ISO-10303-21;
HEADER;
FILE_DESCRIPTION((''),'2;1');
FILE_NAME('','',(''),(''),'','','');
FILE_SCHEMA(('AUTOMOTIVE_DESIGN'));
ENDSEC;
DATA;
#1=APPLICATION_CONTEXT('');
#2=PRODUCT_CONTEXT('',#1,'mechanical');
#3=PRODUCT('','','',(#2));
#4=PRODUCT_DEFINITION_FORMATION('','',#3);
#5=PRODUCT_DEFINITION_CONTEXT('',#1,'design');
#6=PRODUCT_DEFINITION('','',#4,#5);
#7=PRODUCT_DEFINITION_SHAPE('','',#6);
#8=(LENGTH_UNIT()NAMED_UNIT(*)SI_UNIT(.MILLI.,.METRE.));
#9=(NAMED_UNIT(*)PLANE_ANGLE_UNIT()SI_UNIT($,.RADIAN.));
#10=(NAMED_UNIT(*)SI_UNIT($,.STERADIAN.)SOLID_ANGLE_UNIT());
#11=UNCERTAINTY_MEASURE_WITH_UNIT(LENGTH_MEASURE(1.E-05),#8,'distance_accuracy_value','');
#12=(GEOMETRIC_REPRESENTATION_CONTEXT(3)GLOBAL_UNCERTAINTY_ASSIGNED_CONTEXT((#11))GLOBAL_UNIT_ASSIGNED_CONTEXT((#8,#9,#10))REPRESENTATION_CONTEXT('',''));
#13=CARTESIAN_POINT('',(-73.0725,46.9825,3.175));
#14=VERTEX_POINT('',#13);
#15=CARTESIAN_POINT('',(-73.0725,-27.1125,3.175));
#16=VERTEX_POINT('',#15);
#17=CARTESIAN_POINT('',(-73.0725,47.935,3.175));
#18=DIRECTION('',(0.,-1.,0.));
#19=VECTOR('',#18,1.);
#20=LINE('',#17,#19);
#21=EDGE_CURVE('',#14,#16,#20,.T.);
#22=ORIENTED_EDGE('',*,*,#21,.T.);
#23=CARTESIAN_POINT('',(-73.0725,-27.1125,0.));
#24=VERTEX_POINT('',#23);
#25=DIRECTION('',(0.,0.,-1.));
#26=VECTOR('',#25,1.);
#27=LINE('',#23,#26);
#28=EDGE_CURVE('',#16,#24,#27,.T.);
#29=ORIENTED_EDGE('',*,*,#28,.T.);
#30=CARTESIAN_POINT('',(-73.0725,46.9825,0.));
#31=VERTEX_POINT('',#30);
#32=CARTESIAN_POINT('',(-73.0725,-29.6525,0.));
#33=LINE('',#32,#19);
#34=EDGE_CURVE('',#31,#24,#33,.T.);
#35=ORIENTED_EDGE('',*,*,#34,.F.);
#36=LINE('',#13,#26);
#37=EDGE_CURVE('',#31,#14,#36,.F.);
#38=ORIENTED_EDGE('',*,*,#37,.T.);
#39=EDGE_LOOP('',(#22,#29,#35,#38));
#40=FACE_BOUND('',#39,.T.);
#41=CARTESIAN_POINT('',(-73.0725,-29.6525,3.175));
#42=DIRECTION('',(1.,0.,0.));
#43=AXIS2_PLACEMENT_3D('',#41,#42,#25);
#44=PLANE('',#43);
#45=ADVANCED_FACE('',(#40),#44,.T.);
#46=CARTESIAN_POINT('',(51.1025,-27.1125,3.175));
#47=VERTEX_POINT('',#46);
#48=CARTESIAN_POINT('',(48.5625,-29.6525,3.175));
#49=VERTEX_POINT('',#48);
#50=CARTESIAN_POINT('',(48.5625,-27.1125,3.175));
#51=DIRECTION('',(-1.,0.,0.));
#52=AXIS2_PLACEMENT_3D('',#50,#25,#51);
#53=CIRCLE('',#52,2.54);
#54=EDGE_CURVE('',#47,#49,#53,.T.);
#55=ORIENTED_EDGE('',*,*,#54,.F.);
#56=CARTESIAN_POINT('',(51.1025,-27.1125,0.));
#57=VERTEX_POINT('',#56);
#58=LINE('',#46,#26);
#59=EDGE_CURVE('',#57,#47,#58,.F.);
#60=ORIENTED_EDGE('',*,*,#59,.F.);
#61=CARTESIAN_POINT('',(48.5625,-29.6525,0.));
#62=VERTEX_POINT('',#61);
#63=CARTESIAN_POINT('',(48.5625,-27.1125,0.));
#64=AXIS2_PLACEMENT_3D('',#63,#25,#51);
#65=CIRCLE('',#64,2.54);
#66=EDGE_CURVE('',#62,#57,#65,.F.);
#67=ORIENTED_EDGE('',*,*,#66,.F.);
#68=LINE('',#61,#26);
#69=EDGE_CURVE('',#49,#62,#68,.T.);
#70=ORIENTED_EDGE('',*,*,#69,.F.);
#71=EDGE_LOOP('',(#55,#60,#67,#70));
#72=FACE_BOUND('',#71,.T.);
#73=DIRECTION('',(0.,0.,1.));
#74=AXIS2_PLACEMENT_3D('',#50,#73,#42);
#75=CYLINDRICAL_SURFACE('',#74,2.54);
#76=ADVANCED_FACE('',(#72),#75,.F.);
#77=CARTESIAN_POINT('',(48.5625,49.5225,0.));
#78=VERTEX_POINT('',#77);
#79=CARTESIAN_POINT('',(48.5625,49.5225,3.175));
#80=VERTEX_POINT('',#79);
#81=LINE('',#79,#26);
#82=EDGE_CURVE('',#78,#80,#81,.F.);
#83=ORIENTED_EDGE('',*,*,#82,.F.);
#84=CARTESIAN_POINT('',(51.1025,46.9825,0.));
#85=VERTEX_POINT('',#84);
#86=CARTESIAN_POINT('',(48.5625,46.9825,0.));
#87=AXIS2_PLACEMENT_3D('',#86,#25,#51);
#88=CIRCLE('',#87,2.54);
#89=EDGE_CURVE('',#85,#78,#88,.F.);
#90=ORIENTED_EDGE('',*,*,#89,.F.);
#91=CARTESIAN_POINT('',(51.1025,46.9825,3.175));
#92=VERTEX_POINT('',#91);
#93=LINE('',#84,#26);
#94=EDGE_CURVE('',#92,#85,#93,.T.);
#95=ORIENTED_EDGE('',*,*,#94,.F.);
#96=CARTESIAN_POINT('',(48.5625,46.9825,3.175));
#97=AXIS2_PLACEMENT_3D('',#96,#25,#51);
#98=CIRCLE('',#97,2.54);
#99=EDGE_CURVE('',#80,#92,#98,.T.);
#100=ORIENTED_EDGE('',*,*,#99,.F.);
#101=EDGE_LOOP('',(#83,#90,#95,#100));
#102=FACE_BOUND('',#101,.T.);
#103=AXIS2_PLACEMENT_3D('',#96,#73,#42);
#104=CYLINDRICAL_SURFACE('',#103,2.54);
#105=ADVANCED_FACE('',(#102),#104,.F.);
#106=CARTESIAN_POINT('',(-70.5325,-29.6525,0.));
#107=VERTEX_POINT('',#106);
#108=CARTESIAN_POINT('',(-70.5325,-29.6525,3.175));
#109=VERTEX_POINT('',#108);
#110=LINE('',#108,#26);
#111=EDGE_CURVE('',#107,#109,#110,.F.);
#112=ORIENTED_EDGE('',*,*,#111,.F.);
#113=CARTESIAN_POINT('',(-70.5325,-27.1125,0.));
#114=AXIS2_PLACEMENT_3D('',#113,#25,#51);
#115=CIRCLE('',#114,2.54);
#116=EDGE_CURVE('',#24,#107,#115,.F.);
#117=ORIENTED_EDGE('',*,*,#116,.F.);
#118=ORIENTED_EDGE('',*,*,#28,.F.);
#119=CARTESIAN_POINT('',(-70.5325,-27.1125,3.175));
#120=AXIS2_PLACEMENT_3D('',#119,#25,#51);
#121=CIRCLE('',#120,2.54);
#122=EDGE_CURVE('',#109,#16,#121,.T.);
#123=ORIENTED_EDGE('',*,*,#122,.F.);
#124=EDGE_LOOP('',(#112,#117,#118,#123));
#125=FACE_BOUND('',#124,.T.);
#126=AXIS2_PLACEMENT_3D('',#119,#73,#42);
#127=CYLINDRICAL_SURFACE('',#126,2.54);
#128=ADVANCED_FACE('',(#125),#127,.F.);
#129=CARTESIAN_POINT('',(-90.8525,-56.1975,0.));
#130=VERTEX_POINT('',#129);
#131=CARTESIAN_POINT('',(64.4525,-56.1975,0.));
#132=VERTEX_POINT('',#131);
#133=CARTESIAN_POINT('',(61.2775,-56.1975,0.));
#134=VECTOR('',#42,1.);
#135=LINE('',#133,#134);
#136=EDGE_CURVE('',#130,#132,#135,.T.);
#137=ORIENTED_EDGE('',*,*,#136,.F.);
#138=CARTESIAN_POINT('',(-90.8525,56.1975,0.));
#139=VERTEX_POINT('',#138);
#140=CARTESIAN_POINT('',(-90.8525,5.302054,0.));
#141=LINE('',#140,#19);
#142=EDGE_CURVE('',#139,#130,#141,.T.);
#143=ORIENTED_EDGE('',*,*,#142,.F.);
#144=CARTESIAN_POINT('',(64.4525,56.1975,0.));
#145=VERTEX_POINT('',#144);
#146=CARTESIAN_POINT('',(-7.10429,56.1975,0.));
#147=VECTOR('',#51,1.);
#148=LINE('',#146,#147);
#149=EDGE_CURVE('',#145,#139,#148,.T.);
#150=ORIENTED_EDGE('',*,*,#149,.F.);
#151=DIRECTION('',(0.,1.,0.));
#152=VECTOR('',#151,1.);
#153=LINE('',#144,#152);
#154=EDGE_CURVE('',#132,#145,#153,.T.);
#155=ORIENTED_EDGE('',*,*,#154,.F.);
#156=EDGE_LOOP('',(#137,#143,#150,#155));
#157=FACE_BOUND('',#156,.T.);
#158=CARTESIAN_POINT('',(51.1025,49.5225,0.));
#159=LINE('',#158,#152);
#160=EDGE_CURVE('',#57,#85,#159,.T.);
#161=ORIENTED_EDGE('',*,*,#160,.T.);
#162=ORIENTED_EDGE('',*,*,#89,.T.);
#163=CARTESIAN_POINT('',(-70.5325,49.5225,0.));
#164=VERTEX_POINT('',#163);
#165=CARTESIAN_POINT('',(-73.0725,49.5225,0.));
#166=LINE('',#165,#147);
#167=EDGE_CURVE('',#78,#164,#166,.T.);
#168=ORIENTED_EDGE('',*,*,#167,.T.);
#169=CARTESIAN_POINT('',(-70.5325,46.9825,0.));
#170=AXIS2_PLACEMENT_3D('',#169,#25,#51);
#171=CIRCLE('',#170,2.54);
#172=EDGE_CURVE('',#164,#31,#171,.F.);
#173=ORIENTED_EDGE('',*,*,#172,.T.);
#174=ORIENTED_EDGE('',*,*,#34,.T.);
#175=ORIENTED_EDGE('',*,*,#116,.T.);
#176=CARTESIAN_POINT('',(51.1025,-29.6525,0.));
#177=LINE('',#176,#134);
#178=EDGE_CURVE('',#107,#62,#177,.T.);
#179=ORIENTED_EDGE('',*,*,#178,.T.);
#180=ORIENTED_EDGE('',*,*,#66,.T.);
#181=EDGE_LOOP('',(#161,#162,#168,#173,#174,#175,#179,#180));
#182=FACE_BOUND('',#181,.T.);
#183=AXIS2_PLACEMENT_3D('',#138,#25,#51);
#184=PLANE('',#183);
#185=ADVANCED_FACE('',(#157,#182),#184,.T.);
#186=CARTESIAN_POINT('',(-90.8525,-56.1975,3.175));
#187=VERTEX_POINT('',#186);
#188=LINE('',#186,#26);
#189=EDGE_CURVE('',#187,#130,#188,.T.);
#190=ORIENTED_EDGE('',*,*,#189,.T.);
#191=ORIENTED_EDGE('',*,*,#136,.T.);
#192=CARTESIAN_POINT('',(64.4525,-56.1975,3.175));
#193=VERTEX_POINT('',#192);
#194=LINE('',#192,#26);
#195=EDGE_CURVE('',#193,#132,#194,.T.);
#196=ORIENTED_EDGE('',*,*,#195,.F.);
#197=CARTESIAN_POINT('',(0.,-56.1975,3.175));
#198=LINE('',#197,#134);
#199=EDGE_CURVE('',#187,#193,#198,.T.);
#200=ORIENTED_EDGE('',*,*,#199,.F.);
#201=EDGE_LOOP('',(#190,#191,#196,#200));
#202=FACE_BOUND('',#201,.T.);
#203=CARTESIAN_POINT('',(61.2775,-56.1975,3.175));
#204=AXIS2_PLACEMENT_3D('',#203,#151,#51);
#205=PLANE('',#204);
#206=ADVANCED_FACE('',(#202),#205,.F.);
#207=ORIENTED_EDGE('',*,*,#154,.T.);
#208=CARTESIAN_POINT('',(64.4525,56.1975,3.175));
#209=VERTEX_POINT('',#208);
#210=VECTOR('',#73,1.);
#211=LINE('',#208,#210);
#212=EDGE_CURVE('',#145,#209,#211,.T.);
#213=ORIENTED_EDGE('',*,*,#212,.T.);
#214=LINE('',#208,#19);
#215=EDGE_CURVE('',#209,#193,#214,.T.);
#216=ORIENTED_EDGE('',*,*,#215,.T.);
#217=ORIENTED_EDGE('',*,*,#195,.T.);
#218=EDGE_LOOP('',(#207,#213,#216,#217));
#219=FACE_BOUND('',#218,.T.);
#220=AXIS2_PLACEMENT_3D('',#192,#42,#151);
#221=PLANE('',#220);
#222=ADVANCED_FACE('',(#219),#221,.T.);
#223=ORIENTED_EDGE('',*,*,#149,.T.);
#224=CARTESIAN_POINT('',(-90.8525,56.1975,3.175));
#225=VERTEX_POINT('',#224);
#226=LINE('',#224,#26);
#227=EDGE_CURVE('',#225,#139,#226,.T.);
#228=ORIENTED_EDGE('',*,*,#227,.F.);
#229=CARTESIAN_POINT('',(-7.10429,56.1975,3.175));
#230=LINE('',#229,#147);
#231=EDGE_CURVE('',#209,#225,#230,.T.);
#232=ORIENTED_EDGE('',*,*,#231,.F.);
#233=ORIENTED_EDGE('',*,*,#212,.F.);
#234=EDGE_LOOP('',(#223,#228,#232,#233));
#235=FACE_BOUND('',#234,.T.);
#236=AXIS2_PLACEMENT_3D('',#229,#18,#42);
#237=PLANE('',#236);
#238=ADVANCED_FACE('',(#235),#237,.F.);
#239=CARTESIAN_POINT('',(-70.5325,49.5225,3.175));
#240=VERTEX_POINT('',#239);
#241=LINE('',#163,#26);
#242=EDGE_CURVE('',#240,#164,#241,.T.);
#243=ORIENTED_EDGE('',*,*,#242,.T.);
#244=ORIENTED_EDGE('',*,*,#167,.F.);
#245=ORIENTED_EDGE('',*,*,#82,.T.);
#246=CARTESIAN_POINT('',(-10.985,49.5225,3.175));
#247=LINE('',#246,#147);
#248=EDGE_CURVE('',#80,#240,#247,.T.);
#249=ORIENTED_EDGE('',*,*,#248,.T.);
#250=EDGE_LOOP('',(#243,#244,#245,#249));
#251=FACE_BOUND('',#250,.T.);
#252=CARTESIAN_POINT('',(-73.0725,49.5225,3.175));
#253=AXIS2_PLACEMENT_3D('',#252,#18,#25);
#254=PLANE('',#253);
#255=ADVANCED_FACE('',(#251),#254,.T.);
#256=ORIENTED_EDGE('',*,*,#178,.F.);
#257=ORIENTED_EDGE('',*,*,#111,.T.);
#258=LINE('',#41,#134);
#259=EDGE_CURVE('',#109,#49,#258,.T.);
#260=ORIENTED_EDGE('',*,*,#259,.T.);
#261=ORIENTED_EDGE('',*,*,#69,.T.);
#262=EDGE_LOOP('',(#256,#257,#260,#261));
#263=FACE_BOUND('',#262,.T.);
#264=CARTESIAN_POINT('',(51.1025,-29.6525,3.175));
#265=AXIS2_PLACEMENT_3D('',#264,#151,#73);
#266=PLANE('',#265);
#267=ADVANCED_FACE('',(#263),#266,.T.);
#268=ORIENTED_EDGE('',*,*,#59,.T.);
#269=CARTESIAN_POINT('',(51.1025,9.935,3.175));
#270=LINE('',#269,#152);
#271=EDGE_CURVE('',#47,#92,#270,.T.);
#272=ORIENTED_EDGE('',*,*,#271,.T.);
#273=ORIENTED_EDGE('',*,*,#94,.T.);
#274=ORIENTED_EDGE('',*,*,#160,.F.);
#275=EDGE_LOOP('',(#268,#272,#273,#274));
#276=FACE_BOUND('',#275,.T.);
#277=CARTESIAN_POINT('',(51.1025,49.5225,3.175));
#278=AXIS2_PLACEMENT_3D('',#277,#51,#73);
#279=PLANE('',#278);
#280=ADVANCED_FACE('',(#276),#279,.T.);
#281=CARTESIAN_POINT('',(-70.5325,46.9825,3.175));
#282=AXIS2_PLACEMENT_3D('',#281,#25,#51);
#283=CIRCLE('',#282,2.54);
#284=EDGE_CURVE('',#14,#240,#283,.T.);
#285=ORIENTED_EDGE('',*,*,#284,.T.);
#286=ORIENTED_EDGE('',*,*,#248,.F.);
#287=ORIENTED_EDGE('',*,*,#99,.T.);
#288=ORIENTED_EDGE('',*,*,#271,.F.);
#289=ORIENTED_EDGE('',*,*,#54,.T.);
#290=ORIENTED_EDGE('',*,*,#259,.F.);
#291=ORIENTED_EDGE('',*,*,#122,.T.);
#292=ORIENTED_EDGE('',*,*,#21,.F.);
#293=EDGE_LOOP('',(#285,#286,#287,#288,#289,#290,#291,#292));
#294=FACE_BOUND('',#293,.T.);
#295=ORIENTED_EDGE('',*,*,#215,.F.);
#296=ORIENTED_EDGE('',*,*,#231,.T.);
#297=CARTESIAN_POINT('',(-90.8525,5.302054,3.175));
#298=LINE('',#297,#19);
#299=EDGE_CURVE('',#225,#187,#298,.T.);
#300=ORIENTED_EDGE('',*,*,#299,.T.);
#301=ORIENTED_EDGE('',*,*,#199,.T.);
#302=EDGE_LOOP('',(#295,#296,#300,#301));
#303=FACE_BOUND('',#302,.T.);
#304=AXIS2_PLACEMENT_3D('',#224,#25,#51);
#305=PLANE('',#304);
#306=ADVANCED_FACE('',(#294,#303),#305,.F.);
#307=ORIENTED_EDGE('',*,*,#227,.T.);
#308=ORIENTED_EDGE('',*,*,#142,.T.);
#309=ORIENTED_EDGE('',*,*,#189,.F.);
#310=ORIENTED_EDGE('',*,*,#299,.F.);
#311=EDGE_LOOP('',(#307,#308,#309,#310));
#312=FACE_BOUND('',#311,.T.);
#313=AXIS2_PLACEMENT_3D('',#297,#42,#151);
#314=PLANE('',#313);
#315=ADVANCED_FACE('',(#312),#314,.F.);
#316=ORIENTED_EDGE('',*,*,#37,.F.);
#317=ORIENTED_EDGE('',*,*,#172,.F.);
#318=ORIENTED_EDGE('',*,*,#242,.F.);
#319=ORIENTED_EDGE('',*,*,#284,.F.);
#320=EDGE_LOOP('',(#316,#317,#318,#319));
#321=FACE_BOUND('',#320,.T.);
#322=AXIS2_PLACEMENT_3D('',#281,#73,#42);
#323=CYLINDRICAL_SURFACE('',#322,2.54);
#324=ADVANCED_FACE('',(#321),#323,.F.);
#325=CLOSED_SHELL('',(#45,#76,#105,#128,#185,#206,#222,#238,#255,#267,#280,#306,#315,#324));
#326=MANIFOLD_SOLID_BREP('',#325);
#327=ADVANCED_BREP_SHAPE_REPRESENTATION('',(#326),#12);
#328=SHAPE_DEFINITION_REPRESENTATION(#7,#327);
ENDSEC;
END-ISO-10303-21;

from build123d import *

# Parameters (mm, degrees)
BOSS_EXTRUDE1_DEPTH = 3.175
SKETCH2_W           = 3.175
SKETCH2_H           = 112.395
BOSS_EXTRUDE2_DEPTH = 3.175
FILLET1_R           = 2.54


with BuildPart() as part:
    # Sketch1 → Boss-Extrude1 (new body)
    with BuildSketch(Plane.XY):
        Polygon((61.2775, 1.5875), (61.2775, -56.1975), (0, -56.1975), (-90.8525, -56.1975), (-90.8525, 5.302053944), (-90.8525, 56.1975), (-7.104289944, 56.1975), (61.2775, 56.1975), align=None)
        Polygon((-73.0725, -29.6525), (-10.985, -29.6525), (51.1025, -29.6525), (51.1025, 9.935), (51.1025, 49.5225), (-10.985, 49.5225), (-73.0725, 49.5225), (-73.0725, 47.935), (-73.0725, 9.935), align=None, mode=Mode.SUBTRACT)
    extrude(amount=BOSS_EXTRUDE1_DEPTH)

    # Sketch2 → Boss-Extrude2 (add)
    with BuildSketch(Plane(origin=(61.2775, 0, 0), x_dir=(0, 0, -1), z_dir=(1, 0, 0))):
        with Locations((-1.5875, 0)):
            Rectangle(SKETCH2_W, SKETCH2_H)
    extrude(amount=BOSS_EXTRUDE2_DEPTH)

    # Fillet1
    fillet1_edges = [part.edges().sort_by_distance(p)[0] for p in [
        (51.1025, -29.6525, 1.5875),
        (51.1025, 49.5225, 1.5875),
        (-73.0725, 49.5225, 1.5875),
        (-73.0725, -29.6525, 1.5875),
    ]]
    fillet(fillet1_edges, radius=FILLET1_R)


solid = part.part
